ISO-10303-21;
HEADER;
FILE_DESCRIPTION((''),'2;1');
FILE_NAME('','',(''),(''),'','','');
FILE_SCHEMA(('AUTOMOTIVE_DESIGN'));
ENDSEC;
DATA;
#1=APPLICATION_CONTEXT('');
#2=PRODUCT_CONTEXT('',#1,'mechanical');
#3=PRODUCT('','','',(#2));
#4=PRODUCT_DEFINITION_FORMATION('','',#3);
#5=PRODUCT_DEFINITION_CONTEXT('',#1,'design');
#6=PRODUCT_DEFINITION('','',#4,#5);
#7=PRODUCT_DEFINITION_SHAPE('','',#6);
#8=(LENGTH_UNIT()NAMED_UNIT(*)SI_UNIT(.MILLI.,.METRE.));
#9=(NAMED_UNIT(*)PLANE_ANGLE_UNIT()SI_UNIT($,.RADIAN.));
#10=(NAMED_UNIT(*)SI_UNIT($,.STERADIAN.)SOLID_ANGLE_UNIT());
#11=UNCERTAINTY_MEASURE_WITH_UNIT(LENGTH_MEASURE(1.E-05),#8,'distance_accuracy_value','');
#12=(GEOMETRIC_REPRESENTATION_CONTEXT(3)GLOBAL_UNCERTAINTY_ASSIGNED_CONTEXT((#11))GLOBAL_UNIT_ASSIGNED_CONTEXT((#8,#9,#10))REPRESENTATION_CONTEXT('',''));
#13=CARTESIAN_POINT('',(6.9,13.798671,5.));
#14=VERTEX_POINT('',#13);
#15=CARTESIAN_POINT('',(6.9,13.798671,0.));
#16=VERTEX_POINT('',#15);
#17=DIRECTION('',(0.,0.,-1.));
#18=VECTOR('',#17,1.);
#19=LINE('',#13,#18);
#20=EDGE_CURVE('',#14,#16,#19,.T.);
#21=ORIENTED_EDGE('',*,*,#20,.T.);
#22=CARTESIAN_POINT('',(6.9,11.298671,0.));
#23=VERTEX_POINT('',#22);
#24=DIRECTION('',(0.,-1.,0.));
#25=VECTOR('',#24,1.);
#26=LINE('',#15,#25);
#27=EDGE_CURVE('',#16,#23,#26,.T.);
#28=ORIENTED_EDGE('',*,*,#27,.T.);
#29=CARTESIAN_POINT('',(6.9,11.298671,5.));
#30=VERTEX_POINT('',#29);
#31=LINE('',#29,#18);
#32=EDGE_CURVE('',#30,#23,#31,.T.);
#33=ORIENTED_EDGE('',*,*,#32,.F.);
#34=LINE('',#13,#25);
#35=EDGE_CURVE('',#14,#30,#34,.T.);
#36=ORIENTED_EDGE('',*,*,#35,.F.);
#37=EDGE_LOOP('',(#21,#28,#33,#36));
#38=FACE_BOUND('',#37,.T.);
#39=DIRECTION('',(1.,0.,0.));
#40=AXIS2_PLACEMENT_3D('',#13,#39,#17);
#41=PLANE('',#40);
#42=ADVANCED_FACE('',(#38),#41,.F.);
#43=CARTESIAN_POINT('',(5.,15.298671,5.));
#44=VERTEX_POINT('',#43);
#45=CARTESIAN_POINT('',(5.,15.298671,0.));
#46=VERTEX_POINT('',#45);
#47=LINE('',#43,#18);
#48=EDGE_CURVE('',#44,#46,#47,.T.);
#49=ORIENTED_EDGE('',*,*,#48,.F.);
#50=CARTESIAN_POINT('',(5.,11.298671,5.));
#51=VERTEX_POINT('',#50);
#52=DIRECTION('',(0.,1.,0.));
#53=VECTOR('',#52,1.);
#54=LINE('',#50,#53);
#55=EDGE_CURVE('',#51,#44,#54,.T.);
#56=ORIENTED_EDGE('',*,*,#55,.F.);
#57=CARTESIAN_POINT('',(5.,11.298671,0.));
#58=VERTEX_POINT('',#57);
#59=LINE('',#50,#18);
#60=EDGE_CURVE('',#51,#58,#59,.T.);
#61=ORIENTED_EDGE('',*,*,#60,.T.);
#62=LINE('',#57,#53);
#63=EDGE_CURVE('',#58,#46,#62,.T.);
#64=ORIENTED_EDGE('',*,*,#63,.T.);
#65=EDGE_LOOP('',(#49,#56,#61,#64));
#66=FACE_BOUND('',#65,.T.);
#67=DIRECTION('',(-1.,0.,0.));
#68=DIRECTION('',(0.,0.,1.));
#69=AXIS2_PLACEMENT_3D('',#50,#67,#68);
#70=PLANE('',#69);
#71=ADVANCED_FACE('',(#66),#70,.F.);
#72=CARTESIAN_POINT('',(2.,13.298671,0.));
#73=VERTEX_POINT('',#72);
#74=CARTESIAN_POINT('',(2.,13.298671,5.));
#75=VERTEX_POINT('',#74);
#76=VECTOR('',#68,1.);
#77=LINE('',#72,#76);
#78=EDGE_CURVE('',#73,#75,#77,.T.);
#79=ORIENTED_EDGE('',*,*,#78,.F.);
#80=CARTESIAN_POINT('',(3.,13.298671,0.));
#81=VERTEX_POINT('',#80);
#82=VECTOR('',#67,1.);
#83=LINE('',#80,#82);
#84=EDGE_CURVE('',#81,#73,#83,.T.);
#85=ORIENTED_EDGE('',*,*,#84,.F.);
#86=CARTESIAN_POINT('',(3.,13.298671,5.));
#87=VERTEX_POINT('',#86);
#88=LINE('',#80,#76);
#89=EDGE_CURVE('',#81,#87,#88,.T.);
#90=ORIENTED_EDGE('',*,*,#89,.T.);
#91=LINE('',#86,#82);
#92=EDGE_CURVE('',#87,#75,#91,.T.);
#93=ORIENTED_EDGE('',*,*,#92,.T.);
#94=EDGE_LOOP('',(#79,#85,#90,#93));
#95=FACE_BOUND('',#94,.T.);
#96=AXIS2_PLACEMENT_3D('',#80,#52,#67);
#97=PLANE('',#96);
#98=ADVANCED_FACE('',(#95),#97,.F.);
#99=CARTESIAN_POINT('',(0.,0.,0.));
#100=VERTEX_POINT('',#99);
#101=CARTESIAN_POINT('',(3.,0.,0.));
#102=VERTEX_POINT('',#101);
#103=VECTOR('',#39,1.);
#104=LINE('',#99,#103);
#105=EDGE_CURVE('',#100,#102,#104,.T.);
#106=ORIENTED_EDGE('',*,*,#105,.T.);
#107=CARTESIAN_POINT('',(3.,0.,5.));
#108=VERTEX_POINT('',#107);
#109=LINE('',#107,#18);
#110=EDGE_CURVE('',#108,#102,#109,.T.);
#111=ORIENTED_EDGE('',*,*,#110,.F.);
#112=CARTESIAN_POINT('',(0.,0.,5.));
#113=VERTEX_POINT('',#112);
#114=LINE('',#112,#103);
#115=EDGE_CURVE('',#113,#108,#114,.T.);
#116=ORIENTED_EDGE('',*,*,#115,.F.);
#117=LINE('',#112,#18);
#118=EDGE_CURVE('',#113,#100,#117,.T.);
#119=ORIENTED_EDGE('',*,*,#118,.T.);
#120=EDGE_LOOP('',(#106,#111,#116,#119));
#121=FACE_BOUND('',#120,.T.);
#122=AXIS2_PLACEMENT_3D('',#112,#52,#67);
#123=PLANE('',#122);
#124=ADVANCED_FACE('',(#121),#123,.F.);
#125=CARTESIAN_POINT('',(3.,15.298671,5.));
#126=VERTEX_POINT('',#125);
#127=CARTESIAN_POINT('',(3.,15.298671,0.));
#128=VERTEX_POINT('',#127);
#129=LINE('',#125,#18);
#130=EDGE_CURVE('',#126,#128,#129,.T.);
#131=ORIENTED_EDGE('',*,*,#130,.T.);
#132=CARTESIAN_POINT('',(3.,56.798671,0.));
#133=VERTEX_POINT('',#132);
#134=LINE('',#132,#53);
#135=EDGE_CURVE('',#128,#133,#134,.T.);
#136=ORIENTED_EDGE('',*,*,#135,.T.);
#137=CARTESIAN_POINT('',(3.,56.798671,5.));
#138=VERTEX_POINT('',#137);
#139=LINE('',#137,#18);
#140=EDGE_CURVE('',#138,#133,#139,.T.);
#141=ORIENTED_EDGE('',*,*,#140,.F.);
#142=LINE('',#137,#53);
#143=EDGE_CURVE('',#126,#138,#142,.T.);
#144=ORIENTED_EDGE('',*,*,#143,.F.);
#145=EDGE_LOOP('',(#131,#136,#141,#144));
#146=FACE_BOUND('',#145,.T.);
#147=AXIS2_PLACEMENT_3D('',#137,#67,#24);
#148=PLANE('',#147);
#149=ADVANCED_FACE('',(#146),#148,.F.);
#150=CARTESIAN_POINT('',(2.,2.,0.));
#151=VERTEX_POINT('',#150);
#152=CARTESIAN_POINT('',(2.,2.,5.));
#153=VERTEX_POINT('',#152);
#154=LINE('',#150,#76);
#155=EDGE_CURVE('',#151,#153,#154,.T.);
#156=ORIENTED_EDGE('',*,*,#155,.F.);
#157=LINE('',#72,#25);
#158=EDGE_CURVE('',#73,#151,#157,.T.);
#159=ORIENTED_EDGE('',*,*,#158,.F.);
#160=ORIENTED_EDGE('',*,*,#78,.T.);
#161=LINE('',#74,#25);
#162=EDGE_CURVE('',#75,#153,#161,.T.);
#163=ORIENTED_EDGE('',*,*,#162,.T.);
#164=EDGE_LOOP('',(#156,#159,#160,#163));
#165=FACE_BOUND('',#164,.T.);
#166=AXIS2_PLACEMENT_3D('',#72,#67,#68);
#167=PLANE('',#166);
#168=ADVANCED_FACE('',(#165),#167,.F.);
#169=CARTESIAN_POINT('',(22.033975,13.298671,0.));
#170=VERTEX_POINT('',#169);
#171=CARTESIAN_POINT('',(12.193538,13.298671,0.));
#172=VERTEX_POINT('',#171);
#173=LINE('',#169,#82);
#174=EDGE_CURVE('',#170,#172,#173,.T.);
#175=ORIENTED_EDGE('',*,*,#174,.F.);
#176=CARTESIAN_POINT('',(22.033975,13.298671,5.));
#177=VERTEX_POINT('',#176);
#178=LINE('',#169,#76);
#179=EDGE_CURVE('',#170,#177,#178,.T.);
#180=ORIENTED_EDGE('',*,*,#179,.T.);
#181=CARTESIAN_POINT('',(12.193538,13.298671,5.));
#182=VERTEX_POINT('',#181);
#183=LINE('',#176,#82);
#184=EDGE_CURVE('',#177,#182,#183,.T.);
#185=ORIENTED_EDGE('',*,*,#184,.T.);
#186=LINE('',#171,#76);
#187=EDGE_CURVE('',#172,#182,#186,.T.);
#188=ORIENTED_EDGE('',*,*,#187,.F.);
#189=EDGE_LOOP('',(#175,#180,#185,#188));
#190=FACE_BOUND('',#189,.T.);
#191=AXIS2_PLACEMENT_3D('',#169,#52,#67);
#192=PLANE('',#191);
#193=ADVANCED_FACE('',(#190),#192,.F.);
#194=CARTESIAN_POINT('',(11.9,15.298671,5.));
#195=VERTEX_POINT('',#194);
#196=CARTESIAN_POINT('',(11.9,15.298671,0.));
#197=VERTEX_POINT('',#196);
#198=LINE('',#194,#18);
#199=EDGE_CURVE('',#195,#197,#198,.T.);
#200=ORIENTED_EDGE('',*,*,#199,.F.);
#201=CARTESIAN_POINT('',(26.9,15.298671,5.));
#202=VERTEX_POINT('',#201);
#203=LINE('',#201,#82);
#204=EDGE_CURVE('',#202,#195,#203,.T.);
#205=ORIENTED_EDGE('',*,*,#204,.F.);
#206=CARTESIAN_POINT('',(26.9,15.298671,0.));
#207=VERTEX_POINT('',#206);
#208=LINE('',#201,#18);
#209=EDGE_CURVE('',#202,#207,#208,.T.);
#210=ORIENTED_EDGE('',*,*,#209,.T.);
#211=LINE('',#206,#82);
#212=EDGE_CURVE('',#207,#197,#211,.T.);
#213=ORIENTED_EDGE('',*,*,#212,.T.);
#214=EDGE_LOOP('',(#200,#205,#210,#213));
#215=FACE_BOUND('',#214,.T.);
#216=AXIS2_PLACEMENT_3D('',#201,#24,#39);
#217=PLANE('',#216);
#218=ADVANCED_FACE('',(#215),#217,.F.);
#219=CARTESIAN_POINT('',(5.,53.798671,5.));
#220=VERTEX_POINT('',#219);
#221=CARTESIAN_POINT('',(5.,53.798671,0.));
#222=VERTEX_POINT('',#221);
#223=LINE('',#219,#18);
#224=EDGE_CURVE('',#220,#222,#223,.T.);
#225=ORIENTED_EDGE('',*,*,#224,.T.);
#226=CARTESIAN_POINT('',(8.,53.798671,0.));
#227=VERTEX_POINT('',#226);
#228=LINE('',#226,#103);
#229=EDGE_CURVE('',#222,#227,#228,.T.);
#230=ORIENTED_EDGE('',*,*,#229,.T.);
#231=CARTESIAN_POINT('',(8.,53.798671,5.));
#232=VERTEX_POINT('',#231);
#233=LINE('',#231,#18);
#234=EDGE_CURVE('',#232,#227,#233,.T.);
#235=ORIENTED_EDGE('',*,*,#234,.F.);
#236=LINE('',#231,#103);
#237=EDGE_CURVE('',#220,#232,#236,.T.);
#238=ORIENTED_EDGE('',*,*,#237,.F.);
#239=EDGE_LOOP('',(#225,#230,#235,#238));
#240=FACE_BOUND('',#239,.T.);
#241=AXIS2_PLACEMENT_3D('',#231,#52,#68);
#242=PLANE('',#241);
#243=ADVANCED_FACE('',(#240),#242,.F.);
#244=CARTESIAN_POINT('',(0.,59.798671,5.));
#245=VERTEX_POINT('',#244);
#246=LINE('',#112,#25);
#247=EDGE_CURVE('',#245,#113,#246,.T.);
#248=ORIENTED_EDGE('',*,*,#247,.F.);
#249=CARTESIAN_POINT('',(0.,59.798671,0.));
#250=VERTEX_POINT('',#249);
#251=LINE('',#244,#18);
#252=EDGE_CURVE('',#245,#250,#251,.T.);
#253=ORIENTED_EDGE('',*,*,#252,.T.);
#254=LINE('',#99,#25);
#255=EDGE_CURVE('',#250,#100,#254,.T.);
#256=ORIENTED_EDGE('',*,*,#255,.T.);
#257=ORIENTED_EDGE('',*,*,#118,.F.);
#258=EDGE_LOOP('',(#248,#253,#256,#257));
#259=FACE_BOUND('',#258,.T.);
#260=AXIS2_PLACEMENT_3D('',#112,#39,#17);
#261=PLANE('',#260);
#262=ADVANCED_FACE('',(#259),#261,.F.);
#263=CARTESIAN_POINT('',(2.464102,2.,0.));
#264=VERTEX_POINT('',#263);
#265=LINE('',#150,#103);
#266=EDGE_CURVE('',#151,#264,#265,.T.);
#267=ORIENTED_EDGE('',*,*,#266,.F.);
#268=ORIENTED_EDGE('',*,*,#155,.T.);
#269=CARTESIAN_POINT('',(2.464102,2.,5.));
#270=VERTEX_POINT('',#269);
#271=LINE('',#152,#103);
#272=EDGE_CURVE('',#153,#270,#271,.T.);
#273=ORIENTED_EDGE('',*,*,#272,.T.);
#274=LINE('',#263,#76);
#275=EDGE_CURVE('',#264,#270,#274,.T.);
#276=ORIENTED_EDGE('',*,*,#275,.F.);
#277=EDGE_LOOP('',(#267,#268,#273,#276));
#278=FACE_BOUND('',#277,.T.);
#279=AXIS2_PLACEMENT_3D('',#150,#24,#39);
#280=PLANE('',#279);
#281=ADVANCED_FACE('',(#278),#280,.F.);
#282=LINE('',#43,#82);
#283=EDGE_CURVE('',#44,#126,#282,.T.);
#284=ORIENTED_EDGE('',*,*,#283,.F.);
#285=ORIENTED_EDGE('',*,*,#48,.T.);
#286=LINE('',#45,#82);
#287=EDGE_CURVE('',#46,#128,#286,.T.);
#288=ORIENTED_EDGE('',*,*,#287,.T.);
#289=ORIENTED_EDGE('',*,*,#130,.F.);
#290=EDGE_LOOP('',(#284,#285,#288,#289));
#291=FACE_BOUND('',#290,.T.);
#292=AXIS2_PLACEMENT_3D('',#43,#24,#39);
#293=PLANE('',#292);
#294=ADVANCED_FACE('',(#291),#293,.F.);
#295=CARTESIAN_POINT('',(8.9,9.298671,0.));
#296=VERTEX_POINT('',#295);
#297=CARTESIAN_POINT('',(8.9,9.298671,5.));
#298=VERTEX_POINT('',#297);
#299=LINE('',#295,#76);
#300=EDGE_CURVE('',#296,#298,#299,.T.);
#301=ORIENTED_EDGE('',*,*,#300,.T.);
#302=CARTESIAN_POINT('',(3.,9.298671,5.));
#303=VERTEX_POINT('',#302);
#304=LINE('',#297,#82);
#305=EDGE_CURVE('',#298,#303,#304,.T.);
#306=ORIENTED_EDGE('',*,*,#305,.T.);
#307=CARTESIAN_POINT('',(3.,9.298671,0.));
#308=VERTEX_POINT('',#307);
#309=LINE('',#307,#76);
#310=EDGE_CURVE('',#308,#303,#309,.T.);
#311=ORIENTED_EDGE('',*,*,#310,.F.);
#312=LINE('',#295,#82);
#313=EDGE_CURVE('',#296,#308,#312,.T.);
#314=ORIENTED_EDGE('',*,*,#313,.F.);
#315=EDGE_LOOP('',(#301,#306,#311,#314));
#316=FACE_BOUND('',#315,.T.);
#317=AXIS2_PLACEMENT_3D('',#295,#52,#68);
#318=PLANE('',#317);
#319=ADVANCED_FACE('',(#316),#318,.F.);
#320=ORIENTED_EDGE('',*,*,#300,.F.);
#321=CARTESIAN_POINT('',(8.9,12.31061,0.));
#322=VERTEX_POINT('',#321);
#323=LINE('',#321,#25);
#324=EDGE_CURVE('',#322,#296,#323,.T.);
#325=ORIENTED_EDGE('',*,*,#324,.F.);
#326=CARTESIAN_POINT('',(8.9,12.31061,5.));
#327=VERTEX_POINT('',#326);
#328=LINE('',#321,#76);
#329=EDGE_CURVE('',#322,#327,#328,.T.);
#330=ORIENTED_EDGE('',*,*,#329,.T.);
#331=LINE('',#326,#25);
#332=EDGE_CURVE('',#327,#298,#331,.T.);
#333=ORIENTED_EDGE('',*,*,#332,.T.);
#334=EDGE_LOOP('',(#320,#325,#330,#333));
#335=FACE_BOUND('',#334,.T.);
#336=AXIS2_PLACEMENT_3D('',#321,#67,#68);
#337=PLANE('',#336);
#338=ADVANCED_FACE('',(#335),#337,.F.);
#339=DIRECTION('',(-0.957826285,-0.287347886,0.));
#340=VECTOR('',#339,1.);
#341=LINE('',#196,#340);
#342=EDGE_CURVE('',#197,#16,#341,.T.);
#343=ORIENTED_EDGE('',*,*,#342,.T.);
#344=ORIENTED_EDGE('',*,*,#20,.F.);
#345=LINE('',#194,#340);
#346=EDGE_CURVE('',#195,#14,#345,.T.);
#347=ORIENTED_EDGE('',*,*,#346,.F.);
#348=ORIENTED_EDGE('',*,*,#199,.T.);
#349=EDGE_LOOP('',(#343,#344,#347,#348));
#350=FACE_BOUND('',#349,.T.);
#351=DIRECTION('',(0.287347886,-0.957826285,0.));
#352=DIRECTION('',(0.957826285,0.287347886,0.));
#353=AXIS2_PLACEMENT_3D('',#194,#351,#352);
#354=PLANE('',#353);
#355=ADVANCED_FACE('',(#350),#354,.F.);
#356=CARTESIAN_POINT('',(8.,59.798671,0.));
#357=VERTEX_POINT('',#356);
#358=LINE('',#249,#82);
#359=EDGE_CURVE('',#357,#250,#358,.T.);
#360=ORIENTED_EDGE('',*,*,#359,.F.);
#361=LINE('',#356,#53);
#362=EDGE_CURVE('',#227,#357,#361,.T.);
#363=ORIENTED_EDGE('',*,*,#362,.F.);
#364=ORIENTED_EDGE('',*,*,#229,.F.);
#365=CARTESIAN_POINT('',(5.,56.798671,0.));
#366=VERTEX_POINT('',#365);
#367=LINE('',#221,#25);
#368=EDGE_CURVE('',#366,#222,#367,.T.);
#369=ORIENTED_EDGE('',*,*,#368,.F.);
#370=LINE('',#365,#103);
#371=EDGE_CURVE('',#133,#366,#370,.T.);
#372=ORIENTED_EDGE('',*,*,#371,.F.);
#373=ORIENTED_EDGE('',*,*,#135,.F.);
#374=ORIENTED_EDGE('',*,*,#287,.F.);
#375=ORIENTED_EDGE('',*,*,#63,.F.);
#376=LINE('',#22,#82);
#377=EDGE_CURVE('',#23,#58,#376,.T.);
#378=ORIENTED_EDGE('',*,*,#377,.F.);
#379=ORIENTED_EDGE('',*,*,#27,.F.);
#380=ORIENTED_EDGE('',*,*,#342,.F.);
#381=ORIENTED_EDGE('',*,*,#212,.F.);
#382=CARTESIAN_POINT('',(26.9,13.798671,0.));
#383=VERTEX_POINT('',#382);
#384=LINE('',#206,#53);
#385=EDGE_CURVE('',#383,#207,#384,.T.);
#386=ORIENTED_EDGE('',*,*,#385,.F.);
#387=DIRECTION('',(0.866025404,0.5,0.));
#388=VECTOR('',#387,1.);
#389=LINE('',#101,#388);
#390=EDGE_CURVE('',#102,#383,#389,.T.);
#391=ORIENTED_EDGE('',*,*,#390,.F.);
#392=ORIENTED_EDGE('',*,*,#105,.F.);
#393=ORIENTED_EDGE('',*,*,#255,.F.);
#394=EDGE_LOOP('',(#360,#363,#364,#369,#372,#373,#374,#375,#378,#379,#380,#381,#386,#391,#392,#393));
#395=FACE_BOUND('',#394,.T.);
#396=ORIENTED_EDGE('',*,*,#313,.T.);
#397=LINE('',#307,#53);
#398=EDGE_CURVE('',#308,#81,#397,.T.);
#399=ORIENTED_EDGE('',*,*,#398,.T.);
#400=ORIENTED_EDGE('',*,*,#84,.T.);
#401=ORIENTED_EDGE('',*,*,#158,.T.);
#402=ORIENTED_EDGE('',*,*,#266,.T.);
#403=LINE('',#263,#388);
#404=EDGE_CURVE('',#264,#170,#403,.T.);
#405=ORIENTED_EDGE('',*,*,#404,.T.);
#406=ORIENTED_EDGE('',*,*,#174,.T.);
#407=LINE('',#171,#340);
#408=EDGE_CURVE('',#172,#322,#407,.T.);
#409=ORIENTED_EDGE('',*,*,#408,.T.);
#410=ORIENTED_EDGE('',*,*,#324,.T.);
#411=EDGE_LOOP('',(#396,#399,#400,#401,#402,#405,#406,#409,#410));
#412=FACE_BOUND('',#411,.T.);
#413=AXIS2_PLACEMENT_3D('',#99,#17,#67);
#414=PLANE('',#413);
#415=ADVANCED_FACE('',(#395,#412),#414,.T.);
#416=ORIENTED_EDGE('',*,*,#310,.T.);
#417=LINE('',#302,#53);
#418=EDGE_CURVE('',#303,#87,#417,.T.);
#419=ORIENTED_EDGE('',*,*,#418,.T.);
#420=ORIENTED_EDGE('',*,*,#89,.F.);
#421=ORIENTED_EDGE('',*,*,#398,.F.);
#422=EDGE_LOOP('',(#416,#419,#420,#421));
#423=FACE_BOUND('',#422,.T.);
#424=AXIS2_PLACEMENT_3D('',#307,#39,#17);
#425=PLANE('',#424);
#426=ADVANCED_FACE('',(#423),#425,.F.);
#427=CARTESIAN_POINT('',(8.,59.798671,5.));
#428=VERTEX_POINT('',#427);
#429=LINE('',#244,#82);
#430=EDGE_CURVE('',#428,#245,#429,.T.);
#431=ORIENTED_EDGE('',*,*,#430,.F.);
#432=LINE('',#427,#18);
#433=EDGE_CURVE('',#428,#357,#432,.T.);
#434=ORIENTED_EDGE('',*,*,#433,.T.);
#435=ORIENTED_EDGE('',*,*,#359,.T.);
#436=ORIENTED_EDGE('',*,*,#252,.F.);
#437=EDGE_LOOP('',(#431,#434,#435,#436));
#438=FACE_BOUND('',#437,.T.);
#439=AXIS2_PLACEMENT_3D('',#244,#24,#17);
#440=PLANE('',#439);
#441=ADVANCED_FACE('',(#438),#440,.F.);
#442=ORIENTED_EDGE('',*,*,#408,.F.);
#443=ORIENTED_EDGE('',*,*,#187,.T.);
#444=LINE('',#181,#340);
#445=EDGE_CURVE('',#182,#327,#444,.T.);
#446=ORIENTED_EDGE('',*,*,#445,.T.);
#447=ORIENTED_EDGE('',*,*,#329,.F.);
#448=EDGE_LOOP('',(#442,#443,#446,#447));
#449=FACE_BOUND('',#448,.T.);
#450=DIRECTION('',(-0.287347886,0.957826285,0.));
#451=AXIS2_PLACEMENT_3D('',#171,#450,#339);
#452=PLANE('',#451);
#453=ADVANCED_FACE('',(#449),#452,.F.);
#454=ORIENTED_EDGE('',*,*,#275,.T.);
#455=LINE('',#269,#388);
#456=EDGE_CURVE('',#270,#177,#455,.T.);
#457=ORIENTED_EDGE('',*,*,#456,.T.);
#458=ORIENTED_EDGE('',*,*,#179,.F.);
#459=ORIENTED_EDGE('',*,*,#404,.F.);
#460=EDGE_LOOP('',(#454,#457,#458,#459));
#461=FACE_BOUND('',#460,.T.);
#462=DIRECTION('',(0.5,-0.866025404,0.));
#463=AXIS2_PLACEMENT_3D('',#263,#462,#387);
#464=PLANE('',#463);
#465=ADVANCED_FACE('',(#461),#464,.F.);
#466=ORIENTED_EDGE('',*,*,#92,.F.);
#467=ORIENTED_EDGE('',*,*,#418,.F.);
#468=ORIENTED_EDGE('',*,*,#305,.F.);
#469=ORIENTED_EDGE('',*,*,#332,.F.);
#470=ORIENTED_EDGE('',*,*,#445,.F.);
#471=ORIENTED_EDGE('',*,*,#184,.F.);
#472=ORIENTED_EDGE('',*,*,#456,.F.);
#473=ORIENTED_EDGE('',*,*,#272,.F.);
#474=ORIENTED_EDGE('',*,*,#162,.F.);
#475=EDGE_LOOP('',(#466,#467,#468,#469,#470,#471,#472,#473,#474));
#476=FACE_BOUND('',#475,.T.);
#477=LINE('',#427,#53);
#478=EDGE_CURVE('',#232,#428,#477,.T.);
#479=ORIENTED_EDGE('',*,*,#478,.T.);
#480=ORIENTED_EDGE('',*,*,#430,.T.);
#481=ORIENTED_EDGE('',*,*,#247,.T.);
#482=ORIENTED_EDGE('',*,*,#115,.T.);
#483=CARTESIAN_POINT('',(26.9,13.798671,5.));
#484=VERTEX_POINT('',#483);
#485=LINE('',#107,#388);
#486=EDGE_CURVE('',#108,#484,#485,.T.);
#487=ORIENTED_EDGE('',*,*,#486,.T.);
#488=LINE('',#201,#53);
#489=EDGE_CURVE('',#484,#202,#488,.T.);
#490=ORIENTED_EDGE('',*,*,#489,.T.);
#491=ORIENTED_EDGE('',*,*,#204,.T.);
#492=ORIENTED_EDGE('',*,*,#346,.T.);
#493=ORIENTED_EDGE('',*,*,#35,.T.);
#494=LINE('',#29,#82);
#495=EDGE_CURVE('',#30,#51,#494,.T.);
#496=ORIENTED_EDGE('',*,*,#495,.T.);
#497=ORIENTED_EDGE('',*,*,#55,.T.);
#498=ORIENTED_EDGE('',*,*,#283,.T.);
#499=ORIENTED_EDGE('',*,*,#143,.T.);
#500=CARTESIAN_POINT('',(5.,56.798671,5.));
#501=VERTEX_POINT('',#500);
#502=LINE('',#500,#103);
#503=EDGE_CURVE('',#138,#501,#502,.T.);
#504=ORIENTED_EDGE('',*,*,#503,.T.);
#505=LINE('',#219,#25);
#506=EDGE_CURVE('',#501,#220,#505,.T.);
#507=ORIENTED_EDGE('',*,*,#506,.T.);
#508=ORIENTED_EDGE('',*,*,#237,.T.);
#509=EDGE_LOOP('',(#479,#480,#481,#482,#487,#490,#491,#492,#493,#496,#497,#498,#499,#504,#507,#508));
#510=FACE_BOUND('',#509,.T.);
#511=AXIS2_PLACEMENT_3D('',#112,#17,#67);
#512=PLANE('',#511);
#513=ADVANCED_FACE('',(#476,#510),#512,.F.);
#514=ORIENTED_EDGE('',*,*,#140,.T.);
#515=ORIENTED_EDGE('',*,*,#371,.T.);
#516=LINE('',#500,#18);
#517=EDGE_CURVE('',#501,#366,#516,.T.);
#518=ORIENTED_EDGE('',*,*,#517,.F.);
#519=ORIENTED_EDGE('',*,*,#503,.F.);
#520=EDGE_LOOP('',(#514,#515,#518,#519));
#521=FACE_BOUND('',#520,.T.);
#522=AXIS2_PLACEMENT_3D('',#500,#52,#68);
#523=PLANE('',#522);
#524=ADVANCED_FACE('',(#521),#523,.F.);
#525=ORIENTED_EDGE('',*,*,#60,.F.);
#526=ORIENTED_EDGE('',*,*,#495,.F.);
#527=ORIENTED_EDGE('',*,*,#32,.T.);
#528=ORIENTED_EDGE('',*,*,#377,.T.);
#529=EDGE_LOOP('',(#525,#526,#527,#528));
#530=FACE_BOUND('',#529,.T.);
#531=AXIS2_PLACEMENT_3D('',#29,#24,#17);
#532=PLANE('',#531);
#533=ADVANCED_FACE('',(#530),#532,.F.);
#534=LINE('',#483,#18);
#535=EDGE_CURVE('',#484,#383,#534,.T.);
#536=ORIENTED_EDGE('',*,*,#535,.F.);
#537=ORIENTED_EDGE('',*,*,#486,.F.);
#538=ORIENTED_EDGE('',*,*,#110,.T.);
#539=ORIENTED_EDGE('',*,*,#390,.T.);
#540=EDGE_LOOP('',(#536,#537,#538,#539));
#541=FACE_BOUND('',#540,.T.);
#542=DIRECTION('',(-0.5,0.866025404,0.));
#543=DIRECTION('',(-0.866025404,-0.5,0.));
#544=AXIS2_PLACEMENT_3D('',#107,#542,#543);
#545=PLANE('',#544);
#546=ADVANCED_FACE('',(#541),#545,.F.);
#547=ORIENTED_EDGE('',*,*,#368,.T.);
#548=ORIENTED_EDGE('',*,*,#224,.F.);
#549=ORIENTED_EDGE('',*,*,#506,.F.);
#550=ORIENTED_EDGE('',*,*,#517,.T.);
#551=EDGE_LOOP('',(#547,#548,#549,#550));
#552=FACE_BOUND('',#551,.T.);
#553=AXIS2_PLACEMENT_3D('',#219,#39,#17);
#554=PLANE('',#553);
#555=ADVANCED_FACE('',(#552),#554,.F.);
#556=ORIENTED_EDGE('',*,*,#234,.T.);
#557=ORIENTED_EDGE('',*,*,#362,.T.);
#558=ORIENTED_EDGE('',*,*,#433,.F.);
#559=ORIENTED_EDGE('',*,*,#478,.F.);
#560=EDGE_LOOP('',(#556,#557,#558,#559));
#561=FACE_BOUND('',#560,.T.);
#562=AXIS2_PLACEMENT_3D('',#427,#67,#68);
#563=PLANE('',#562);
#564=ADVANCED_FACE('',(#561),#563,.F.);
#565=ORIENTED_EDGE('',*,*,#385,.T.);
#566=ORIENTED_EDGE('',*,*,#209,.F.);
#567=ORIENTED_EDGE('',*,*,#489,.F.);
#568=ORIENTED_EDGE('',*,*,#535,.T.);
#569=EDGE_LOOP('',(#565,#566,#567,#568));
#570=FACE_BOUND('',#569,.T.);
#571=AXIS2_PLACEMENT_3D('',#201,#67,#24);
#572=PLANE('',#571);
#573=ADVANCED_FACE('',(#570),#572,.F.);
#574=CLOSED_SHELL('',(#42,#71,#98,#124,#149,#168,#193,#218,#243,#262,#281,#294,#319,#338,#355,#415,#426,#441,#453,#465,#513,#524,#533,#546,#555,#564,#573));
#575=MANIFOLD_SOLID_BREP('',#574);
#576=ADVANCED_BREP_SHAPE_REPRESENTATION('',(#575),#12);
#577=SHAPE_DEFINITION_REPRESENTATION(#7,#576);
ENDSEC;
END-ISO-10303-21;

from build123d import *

# Parameters (mm, degrees)
EXTRUDE_1_DEPTH     = 5
CUT_EXTRUDE_1_DEPTH = 66.760863021


with BuildPart() as part:
    # 草图1 → 凸台-拉伸1 (new body)
    with BuildSketch(Plane.XY):
        Polygon((0, 0), (0, 59.798671434), (8, 59.798671434), (8, 53.798671434), (5, 53.798671434), (5, 56.798671434), (3, 56.798671434), (3, 15.298671434), (5, 15.298671434), (5, 11.298671434), (6.9, 11.298671434), (6.9, 13.798671434), (11.9, 15.298671434), (26.9, 15.298671434), (26.9, 13.798671434), (3, 0), align=None)
    extrude(amount=EXTRUDE_1_DEPTH)

    # 草图2 → 切除-拉伸1 (cut, through all)
    with BuildSketch(Plane.XY.offset(5)):
        Polygon((22.033974596, 13.298671434), (12.193537673, 13.298671434), (8.9, 12.310610132), (8.9, 9.298671434), (3, 9.298671434), (3, 13.298671434), (2, 13.298671434), (2, 2), (2.464101615, 2), align=None)
    extrude(amount=-CUT_EXTRUDE_1_DEPTH, mode=Mode.SUBTRACT)


solid = part.part
